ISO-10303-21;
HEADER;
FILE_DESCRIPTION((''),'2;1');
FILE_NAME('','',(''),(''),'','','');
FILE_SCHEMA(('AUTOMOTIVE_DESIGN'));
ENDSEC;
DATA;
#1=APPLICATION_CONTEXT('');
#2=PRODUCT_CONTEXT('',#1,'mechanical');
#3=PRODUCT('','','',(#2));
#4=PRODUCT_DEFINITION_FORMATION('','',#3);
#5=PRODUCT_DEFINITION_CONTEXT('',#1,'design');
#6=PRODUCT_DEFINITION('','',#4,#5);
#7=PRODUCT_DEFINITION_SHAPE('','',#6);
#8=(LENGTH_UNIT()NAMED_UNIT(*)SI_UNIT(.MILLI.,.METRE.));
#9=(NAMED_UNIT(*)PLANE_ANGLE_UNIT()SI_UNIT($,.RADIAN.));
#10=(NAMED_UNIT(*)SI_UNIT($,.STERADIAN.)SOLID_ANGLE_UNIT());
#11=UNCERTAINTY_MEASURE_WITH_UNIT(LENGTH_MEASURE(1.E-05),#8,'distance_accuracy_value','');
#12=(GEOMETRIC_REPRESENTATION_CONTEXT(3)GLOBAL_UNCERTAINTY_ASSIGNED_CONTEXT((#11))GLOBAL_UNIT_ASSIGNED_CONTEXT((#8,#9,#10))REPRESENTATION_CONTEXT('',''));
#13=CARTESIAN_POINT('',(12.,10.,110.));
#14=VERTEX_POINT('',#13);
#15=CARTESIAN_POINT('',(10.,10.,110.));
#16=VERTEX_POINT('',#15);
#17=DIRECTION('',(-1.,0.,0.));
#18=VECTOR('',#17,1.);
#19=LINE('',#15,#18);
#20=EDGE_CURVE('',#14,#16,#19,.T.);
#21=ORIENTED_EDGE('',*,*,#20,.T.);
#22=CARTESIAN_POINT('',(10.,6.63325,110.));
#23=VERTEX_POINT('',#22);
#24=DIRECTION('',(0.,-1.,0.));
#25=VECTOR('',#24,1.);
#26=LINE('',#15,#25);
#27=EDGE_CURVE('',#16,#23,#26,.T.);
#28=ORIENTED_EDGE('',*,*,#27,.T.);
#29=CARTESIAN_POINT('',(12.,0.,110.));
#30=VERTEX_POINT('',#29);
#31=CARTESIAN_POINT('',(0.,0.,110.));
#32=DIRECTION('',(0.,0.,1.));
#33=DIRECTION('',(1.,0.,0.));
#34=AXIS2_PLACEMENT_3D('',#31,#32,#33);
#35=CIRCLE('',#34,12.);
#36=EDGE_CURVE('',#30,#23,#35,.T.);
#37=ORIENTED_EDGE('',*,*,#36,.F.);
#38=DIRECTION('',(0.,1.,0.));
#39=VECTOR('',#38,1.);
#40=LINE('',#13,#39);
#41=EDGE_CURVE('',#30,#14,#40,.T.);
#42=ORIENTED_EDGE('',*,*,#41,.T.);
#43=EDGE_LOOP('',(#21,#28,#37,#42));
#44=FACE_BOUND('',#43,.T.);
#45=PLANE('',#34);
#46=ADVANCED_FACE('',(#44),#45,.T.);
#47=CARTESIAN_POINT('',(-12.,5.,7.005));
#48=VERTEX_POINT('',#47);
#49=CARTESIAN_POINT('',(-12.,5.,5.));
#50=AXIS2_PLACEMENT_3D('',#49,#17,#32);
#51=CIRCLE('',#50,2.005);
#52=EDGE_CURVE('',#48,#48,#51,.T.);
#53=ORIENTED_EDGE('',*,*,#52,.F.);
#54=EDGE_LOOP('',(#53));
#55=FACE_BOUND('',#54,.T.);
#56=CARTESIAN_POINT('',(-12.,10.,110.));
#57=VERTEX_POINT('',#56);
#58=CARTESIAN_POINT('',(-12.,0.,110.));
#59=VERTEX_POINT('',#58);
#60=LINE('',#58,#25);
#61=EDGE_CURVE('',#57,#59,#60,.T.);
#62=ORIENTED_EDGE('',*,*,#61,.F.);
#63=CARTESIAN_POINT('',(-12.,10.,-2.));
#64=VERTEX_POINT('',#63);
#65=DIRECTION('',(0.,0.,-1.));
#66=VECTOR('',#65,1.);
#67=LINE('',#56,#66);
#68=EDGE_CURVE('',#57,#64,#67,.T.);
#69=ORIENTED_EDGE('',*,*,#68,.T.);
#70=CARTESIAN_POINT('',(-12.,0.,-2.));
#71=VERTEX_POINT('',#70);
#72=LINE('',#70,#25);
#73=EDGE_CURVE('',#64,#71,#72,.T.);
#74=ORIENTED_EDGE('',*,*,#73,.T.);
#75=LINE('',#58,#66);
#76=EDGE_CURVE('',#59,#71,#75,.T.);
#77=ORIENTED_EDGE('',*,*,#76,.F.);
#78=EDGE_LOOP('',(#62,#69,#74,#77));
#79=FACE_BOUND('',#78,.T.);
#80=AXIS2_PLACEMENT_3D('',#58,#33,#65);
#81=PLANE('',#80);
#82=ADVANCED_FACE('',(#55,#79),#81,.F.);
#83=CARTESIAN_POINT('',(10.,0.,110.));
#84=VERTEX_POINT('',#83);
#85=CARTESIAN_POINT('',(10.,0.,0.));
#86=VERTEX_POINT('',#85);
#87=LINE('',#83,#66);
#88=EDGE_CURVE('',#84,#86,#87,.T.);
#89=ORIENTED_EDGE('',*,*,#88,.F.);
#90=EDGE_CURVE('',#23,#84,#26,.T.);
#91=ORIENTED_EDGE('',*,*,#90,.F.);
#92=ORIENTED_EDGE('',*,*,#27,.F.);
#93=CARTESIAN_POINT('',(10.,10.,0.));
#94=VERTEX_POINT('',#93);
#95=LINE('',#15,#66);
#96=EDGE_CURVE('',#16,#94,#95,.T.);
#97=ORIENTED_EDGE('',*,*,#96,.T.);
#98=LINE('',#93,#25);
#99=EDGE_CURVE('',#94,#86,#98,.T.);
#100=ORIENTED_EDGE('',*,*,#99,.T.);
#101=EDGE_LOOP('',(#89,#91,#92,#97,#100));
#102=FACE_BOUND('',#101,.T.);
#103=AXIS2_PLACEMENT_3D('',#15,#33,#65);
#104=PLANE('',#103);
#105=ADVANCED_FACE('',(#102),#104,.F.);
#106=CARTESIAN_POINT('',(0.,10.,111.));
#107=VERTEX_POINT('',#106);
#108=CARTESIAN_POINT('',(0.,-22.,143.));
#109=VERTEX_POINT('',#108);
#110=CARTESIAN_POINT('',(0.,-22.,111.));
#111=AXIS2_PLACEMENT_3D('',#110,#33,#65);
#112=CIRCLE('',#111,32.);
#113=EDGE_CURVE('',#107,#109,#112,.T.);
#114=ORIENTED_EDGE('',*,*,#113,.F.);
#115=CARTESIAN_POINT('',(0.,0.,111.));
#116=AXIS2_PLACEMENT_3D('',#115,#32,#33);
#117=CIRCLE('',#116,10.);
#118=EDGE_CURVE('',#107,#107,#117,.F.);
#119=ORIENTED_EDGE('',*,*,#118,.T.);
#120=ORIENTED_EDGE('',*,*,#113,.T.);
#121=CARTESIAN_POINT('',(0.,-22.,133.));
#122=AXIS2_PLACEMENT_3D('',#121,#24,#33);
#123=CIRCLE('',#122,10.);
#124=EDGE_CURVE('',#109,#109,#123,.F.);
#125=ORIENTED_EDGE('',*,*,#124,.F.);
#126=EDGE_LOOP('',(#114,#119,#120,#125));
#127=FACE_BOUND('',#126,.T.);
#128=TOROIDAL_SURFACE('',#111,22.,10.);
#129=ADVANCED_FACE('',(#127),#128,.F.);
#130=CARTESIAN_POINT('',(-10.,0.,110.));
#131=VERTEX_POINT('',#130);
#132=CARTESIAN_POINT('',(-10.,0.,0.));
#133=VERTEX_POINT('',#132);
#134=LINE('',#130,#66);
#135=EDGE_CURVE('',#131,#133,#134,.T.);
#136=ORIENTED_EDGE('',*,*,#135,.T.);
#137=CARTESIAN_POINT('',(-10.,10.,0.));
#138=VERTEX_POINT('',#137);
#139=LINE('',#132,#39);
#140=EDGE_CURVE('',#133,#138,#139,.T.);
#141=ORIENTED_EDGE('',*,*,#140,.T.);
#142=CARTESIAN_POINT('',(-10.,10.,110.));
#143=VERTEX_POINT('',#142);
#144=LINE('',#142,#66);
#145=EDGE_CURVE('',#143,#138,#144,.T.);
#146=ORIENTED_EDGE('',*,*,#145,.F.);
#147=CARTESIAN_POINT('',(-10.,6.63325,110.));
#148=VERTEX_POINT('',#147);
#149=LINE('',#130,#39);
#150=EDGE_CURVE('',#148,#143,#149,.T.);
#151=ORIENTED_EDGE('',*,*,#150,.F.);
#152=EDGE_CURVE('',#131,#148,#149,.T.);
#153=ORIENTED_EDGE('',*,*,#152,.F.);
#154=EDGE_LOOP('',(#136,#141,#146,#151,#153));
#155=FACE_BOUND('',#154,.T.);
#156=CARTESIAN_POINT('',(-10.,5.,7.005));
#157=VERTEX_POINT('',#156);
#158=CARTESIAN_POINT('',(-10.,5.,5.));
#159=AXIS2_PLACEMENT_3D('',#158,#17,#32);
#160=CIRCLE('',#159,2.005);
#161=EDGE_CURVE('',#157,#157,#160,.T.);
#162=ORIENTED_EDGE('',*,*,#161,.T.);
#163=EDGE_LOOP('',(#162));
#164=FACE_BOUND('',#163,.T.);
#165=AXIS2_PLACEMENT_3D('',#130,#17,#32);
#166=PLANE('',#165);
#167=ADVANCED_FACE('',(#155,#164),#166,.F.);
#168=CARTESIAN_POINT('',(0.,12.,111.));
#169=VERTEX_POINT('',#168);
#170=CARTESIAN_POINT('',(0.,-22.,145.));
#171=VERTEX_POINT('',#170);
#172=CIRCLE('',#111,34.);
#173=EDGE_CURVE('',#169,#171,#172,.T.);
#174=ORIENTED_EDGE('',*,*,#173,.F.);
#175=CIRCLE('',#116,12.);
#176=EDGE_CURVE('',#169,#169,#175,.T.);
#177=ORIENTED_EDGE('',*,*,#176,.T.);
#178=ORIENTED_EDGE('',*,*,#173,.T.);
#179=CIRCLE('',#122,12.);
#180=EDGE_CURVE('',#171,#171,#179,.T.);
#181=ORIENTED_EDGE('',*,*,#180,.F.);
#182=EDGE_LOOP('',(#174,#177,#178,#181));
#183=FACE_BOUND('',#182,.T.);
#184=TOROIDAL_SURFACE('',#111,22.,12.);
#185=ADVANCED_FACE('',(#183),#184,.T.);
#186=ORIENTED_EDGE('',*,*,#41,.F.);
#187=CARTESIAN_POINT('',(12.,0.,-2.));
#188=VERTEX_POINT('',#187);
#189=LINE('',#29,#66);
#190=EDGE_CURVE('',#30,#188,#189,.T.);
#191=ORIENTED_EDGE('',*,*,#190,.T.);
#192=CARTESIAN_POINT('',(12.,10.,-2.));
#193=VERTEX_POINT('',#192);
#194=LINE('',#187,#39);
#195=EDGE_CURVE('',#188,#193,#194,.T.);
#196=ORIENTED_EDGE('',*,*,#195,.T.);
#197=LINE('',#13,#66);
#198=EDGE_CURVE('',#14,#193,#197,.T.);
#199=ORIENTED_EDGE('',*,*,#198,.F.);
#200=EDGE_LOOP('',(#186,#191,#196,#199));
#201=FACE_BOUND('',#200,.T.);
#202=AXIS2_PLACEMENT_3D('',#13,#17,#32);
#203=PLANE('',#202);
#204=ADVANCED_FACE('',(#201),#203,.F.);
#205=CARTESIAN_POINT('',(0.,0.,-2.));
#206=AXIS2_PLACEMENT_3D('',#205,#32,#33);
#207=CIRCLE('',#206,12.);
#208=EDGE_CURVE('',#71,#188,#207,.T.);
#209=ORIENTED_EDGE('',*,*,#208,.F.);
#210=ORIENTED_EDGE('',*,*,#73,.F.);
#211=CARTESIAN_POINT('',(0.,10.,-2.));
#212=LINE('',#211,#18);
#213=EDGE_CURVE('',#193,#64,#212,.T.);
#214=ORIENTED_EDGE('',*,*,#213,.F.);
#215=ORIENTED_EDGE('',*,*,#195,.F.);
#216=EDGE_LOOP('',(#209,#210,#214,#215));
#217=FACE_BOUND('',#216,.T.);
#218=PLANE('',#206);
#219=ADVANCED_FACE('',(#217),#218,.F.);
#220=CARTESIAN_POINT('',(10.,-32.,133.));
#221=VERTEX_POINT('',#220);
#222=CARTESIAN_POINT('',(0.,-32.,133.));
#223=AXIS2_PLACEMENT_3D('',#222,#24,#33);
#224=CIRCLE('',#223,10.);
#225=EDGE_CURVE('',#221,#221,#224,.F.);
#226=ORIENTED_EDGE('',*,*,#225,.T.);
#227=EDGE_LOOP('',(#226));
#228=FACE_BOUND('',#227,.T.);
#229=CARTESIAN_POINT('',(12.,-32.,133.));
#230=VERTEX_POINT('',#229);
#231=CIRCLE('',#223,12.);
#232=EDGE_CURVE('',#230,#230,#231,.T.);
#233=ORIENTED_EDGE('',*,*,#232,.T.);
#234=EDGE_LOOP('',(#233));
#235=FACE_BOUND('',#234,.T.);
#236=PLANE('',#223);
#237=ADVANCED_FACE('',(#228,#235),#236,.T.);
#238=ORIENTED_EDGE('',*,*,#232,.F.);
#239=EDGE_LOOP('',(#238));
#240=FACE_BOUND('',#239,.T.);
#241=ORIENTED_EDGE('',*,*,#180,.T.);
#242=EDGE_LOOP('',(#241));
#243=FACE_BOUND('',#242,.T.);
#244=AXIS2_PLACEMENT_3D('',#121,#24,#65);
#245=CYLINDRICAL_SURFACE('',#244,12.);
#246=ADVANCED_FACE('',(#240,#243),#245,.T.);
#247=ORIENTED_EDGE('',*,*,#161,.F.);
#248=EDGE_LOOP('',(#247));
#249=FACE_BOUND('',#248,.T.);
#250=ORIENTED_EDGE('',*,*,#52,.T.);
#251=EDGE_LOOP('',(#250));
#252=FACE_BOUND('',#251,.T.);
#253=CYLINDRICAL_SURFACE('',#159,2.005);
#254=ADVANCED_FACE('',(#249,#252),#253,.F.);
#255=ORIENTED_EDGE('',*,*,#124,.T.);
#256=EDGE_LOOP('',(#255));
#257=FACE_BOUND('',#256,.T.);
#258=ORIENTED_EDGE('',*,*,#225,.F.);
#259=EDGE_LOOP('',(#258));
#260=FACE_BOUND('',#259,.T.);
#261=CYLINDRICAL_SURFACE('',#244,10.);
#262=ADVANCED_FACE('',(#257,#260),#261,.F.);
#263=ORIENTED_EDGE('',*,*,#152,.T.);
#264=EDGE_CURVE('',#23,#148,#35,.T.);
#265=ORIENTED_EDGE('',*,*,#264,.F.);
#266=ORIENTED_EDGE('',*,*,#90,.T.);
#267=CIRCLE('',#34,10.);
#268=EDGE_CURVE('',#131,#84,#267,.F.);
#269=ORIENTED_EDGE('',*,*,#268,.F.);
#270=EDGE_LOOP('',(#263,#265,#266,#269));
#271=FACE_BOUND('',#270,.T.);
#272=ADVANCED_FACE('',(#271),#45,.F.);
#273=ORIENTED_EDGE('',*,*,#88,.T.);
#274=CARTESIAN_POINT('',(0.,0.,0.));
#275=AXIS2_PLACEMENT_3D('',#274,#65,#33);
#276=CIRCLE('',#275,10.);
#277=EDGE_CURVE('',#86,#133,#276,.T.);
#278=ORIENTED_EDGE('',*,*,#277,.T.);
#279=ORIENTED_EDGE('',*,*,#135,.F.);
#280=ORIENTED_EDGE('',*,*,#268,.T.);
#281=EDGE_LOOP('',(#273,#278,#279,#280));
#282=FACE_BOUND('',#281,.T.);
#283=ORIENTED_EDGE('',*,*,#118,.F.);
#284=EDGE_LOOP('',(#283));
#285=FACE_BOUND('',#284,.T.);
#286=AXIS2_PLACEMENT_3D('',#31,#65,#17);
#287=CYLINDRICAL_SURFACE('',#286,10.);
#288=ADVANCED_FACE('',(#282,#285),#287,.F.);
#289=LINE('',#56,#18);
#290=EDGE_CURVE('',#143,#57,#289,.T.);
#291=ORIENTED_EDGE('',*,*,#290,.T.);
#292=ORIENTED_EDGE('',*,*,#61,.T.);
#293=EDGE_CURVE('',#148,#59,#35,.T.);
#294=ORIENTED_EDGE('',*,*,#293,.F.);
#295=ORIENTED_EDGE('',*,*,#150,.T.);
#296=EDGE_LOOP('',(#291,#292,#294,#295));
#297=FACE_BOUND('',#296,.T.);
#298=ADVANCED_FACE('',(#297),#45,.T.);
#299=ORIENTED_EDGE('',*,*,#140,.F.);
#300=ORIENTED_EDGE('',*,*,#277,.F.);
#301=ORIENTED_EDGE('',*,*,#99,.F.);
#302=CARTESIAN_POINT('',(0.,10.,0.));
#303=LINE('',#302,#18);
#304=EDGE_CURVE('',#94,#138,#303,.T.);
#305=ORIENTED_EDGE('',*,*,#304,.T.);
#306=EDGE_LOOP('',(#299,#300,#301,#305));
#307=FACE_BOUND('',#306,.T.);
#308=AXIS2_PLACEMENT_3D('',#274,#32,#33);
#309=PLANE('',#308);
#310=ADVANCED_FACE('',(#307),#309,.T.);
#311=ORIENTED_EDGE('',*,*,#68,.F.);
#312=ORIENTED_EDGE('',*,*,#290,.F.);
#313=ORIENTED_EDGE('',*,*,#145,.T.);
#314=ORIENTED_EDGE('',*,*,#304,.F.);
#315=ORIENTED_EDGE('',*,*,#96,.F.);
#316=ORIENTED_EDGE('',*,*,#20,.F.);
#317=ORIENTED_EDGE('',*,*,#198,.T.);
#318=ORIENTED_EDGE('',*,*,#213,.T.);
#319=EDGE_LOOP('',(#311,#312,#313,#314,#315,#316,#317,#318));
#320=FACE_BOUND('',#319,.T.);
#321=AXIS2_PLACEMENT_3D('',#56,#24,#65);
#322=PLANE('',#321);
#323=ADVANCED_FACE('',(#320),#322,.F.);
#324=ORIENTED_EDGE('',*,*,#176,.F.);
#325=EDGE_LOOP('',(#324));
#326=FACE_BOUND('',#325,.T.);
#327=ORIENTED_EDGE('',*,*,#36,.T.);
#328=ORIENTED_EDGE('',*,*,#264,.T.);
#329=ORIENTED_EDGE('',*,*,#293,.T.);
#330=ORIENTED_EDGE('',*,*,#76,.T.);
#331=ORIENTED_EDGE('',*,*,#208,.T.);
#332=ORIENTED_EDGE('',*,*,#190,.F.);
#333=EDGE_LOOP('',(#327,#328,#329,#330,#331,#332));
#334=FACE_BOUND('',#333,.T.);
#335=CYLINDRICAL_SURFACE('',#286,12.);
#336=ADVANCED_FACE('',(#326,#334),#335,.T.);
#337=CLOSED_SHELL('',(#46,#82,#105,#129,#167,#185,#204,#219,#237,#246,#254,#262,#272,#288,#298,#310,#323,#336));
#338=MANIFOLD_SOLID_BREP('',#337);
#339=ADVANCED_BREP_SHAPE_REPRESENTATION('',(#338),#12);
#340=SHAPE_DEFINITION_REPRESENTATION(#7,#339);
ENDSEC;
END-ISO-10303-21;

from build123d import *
from build123d.topology import SkipClean

# Parameters (mm, degrees)
BOSS_EXTRUDE1_DEPTH = 110
BOSS_EXTRUDE3_START = -112
BOSS_EXTRUDE3_DEPTH = 2
SKETCH15_R          = 2.005
CUT_EXTRUDE1_DEPTH  = 2
SKETCH18_R          = 12
SKETCH18_R_2        = 10


with BuildPart() as part:
    # Sketch1 → Boss-Extrude1 (new body)
    with BuildSketch(Plane.XY):
        with BuildLine():
            Line((-10, 0), (-10, 10))
            Line((-10, 10), (-12, 10))
            Line((-12, 10), (-12, 0))
            ThreePointArc((-12, 0), (0, -12), (12, 0))
            Line((12, 0), (12, 10))
            Line((12, 10), (10, 10))
            Line((10, 10), (10, 0))
            ThreePointArc((10, 0), (0, -10), (-10, 0))
        make_face()
    extrude(amount=BOSS_EXTRUDE1_DEPTH)

    # Sketch8 → Boss-Extrude3 (add)
    with BuildSketch(Plane.XY.offset(110).offset(BOSS_EXTRUDE3_START)):
        with BuildLine():
            Line((-12, 10), (12, 10))
            Line((12, 10), (12, 0))
            ThreePointArc((12, 0), (0, -12), (-12, 0))
            Line((-12, 0), (-12, 10))
        make_face()
    extrude(amount=BOSS_EXTRUDE3_DEPTH)

    # Sketch15 → Cut-Extrude1 (cut)
    with BuildSketch(Plane.ZY.offset(12)):
        with Locations((5, 5)):
            Circle(SKETCH15_R)
    extrude(amount=-CUT_EXTRUDE1_DEPTH, mode=Mode.SUBTRACT)

    # Sweep2: sweep along a path in Sketch17
    with SkipClean():  # the faces are left unmerged after this step: merging them gives an invalid solid
        with BuildLine(Plane(origin=(0, 0, 0), x_dir=(0, 0, -1), z_dir=(1, 0, 0))) as sweep2_path:
            Line((-110, -12), (-111, -12))
            ThreePointArc((-111, -12), (-118.071067812, -14.928932188), (-121, -22))
            Line((-121, -22), (-121, -32))
        # Sketch18 → Sweep2 (sweep)
        with BuildSketch(Plane.XY.offset(110)):
            Circle(SKETCH18_R)
            Circle(SKETCH18_R_2, mode=Mode.SUBTRACT)
        sweep(path=sweep2_path.line)


solid = part.part
